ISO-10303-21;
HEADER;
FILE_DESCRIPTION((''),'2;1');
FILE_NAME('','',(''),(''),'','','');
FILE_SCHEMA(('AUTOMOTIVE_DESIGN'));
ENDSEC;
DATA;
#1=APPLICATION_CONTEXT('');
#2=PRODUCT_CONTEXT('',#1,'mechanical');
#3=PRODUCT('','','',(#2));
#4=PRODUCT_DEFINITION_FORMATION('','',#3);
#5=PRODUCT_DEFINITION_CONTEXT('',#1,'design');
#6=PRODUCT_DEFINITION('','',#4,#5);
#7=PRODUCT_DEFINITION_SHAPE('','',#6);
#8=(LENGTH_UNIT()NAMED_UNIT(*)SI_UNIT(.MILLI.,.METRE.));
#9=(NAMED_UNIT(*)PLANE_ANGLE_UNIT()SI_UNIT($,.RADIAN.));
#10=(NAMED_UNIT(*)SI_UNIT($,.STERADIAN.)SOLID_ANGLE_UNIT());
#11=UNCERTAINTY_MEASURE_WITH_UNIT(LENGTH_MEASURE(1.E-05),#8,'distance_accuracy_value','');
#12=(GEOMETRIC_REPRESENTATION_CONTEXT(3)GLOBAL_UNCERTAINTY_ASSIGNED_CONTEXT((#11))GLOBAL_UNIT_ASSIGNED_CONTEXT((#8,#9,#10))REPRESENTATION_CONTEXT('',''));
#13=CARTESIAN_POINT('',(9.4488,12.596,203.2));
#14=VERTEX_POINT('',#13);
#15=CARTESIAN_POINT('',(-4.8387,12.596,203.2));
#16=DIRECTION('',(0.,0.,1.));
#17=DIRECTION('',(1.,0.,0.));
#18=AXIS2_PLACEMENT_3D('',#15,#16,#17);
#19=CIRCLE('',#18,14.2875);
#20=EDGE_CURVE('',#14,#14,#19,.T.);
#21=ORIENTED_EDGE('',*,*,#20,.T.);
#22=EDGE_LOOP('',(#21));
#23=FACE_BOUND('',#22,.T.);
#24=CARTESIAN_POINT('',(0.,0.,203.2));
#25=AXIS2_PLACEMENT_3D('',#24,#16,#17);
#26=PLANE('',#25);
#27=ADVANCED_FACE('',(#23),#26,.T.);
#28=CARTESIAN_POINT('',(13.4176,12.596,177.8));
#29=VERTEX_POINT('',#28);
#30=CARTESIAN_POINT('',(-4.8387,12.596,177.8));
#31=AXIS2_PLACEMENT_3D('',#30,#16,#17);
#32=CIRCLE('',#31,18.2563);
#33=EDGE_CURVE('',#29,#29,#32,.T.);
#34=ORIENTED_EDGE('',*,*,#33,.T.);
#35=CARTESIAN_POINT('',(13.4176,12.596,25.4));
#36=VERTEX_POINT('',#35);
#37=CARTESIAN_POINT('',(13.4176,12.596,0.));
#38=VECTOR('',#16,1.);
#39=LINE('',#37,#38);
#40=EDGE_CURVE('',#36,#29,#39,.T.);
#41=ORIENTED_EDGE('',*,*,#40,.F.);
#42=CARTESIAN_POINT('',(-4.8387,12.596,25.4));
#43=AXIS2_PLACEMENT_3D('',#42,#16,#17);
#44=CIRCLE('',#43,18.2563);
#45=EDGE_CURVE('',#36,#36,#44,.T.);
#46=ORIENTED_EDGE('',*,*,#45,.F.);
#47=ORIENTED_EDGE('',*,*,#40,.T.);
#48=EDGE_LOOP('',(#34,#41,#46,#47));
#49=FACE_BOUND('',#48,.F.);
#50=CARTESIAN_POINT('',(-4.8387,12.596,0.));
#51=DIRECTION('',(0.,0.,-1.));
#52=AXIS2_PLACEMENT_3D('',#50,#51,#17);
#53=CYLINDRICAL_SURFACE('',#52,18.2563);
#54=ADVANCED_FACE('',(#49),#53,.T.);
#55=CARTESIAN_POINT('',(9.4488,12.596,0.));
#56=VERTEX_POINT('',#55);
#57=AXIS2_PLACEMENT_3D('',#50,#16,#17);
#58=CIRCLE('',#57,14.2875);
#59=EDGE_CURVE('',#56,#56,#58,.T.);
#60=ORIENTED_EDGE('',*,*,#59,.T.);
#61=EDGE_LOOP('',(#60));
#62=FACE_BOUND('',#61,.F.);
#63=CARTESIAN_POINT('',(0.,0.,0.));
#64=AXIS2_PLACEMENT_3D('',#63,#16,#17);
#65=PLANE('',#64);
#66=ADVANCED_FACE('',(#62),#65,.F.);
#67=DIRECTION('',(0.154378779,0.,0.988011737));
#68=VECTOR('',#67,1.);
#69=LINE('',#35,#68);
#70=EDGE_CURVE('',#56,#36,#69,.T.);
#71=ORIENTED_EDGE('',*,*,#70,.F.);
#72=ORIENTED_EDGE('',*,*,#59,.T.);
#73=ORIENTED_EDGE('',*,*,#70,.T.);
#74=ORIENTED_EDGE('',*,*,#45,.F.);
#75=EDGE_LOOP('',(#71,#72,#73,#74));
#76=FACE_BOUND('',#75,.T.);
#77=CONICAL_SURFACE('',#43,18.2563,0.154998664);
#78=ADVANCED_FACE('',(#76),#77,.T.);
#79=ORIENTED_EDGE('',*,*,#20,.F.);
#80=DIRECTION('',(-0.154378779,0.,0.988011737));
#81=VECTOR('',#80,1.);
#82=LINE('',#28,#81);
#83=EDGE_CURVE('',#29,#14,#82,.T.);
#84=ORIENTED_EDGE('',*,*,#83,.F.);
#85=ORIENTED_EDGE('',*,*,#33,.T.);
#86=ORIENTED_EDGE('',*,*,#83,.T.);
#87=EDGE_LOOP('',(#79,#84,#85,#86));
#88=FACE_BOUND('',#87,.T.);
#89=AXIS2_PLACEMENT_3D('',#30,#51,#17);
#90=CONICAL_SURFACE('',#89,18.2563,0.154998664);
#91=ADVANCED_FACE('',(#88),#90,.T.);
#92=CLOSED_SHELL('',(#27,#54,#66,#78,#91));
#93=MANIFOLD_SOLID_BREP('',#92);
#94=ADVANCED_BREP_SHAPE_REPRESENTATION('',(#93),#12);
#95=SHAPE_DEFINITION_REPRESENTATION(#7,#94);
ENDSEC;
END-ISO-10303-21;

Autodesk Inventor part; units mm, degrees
ref_plane "YZ Plane" through (0, 0, 0) normal (1, 0, 0) x (0, 1, 0)
ref_plane "XZ Plane" through (0, 0, 0) normal (0, 1, 0) x (-1, 0, 0)
ref_plane "XY Plane" through (0, 0, 0) normal (0, 0, 1) x (1, 0, 0)
sketch "Sketch1" plane through (0, 0, 0) normal (0, 0, 1) x (1, 0, 0)
  circle A0 centre (-4.8387, 12.596) radius 18.2563
  dimension "d0" = 36.5125
extrude "Extrusion1" add sketch "Sketch1" along normal blind 203.2
chamfer "Chamfer1" distance 3.9688 distance2 25.4 1 edges at (-23.095, 12.596, 0) measured on face at (1.1407, 16.9825, 0)
chamfer "Chamfer2" distance 25.4 distance2 3.9688 1 edges at (-23.095, 12.596, 203.2) measured on face at (13.1811, 9.6675, 143.9333)
properties part number "FE-00001-04"
